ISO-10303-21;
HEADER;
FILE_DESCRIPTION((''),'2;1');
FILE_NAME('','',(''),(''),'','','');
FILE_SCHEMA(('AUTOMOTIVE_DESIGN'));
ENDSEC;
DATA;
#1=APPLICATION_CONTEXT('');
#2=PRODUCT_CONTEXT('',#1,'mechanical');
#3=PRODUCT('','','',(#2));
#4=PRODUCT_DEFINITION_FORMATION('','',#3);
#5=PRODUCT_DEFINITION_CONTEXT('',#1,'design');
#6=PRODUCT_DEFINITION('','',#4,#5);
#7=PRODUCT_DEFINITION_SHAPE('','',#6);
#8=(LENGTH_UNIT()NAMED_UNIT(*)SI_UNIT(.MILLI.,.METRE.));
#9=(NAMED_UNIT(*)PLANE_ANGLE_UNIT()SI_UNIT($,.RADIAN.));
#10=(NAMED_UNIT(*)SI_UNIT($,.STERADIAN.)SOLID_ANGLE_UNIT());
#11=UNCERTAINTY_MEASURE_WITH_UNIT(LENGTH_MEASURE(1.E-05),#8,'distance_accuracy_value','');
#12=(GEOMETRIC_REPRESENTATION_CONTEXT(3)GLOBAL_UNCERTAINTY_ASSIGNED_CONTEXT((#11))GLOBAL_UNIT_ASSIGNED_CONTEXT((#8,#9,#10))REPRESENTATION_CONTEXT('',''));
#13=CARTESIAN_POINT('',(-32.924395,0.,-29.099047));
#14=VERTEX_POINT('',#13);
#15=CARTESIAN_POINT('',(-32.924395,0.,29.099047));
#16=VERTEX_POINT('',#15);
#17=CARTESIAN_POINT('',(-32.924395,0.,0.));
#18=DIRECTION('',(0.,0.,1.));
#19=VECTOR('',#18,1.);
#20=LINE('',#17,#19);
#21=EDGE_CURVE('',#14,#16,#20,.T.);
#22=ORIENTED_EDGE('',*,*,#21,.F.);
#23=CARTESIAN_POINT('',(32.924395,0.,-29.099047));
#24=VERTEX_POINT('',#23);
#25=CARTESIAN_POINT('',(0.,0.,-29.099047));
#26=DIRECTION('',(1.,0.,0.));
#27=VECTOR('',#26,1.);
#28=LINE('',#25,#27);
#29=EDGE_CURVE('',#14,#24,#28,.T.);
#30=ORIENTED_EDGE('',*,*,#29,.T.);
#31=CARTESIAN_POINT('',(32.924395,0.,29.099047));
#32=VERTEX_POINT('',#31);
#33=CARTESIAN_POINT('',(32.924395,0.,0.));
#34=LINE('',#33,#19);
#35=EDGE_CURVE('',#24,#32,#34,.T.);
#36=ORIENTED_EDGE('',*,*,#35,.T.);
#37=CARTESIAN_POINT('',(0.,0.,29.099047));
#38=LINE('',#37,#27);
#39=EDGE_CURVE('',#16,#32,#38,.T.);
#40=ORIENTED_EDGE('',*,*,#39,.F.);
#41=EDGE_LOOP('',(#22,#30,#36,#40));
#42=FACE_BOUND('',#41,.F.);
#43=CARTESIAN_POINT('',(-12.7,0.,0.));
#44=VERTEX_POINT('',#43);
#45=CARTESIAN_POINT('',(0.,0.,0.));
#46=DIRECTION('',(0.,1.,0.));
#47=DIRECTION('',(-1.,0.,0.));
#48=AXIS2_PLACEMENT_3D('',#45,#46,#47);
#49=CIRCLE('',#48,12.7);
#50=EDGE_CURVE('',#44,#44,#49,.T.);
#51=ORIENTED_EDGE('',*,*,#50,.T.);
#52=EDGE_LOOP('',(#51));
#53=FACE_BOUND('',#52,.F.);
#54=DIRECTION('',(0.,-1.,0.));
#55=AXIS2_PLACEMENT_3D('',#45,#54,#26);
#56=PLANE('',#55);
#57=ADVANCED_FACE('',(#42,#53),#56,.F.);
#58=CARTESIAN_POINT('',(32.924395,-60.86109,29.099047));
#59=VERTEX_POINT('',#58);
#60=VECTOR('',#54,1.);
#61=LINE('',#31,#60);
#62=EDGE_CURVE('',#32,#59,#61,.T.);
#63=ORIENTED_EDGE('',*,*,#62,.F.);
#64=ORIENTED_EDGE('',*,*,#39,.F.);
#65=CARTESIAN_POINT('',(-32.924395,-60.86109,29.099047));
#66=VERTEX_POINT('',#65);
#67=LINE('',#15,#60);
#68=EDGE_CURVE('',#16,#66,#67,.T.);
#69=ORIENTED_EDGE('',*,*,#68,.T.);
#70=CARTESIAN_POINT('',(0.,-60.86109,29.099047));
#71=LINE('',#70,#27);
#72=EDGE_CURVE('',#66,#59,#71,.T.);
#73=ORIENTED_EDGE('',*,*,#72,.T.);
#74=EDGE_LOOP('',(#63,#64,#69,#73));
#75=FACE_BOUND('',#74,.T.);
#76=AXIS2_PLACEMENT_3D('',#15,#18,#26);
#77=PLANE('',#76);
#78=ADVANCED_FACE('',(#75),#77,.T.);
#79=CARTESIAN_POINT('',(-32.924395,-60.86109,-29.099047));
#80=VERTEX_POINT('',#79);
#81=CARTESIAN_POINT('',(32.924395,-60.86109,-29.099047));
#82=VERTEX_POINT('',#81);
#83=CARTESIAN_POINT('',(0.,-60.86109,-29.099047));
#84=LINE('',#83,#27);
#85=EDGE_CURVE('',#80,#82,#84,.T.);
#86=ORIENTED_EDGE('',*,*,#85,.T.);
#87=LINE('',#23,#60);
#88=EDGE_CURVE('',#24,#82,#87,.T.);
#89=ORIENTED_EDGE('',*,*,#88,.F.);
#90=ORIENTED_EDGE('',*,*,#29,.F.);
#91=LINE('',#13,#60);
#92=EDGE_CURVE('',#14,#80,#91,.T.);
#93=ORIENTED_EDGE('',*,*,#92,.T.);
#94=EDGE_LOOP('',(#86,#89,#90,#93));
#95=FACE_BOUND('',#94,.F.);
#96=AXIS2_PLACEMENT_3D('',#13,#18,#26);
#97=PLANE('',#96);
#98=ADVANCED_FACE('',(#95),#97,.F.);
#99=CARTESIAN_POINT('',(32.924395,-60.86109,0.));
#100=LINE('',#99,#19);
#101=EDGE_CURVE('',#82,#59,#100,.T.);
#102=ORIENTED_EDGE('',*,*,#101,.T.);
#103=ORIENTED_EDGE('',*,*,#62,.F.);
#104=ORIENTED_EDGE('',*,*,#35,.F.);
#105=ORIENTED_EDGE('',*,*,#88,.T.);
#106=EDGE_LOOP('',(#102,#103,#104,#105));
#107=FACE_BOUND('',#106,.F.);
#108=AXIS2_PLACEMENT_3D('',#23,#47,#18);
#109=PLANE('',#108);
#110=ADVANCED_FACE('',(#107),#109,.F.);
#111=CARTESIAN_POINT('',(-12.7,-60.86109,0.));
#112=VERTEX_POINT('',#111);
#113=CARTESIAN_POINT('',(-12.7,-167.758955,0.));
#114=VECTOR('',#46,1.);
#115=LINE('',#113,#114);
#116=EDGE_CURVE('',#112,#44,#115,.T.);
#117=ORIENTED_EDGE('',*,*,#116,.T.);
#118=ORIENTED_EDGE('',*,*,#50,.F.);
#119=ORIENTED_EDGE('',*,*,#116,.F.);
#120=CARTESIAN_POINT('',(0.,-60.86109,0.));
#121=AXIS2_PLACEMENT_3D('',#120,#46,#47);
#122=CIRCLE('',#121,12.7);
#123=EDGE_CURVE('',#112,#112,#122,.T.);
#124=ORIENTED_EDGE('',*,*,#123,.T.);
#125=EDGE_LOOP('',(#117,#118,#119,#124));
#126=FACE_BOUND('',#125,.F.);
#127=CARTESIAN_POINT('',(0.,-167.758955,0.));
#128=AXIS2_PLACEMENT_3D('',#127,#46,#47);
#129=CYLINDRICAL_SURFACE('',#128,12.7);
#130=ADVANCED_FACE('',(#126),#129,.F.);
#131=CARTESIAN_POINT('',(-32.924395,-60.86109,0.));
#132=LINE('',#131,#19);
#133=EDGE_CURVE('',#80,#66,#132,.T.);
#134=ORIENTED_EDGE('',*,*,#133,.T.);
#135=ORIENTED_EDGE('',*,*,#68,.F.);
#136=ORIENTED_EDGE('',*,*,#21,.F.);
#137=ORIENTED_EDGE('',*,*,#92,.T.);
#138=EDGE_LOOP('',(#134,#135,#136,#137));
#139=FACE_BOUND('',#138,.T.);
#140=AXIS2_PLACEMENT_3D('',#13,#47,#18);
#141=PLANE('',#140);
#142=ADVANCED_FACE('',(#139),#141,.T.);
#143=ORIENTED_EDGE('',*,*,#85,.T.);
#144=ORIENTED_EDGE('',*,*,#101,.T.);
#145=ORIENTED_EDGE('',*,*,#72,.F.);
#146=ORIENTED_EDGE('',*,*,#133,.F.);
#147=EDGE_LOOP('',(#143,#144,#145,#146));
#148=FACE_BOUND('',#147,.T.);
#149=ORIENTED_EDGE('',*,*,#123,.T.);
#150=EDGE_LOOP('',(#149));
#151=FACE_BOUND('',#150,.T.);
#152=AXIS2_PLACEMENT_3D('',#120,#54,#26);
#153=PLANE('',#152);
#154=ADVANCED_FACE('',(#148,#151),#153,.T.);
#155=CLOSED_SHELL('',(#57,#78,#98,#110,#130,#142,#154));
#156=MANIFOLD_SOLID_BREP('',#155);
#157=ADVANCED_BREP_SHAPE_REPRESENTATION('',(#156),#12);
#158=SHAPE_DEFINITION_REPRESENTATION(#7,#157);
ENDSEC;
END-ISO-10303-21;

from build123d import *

# Parameters (mm, degrees)
F0_W     = 65.84879
F0_H     = 58.198094
F1_DEPTH = 60.86109
F4_D     = 25.4


with BuildPart() as f1:
    # F0 (on Front) → F1 (new body)
    with BuildSketch(Plane.XZ):
        Rectangle(F0_W, F0_H)
    extrude(amount=F1_DEPTH)

    # F4 (through all)
    with Locations(Plane.XZ.offset(60.86109)):
        with Locations((0, 0)):
            Hole(F4_D / 2)


solid = f1.part
